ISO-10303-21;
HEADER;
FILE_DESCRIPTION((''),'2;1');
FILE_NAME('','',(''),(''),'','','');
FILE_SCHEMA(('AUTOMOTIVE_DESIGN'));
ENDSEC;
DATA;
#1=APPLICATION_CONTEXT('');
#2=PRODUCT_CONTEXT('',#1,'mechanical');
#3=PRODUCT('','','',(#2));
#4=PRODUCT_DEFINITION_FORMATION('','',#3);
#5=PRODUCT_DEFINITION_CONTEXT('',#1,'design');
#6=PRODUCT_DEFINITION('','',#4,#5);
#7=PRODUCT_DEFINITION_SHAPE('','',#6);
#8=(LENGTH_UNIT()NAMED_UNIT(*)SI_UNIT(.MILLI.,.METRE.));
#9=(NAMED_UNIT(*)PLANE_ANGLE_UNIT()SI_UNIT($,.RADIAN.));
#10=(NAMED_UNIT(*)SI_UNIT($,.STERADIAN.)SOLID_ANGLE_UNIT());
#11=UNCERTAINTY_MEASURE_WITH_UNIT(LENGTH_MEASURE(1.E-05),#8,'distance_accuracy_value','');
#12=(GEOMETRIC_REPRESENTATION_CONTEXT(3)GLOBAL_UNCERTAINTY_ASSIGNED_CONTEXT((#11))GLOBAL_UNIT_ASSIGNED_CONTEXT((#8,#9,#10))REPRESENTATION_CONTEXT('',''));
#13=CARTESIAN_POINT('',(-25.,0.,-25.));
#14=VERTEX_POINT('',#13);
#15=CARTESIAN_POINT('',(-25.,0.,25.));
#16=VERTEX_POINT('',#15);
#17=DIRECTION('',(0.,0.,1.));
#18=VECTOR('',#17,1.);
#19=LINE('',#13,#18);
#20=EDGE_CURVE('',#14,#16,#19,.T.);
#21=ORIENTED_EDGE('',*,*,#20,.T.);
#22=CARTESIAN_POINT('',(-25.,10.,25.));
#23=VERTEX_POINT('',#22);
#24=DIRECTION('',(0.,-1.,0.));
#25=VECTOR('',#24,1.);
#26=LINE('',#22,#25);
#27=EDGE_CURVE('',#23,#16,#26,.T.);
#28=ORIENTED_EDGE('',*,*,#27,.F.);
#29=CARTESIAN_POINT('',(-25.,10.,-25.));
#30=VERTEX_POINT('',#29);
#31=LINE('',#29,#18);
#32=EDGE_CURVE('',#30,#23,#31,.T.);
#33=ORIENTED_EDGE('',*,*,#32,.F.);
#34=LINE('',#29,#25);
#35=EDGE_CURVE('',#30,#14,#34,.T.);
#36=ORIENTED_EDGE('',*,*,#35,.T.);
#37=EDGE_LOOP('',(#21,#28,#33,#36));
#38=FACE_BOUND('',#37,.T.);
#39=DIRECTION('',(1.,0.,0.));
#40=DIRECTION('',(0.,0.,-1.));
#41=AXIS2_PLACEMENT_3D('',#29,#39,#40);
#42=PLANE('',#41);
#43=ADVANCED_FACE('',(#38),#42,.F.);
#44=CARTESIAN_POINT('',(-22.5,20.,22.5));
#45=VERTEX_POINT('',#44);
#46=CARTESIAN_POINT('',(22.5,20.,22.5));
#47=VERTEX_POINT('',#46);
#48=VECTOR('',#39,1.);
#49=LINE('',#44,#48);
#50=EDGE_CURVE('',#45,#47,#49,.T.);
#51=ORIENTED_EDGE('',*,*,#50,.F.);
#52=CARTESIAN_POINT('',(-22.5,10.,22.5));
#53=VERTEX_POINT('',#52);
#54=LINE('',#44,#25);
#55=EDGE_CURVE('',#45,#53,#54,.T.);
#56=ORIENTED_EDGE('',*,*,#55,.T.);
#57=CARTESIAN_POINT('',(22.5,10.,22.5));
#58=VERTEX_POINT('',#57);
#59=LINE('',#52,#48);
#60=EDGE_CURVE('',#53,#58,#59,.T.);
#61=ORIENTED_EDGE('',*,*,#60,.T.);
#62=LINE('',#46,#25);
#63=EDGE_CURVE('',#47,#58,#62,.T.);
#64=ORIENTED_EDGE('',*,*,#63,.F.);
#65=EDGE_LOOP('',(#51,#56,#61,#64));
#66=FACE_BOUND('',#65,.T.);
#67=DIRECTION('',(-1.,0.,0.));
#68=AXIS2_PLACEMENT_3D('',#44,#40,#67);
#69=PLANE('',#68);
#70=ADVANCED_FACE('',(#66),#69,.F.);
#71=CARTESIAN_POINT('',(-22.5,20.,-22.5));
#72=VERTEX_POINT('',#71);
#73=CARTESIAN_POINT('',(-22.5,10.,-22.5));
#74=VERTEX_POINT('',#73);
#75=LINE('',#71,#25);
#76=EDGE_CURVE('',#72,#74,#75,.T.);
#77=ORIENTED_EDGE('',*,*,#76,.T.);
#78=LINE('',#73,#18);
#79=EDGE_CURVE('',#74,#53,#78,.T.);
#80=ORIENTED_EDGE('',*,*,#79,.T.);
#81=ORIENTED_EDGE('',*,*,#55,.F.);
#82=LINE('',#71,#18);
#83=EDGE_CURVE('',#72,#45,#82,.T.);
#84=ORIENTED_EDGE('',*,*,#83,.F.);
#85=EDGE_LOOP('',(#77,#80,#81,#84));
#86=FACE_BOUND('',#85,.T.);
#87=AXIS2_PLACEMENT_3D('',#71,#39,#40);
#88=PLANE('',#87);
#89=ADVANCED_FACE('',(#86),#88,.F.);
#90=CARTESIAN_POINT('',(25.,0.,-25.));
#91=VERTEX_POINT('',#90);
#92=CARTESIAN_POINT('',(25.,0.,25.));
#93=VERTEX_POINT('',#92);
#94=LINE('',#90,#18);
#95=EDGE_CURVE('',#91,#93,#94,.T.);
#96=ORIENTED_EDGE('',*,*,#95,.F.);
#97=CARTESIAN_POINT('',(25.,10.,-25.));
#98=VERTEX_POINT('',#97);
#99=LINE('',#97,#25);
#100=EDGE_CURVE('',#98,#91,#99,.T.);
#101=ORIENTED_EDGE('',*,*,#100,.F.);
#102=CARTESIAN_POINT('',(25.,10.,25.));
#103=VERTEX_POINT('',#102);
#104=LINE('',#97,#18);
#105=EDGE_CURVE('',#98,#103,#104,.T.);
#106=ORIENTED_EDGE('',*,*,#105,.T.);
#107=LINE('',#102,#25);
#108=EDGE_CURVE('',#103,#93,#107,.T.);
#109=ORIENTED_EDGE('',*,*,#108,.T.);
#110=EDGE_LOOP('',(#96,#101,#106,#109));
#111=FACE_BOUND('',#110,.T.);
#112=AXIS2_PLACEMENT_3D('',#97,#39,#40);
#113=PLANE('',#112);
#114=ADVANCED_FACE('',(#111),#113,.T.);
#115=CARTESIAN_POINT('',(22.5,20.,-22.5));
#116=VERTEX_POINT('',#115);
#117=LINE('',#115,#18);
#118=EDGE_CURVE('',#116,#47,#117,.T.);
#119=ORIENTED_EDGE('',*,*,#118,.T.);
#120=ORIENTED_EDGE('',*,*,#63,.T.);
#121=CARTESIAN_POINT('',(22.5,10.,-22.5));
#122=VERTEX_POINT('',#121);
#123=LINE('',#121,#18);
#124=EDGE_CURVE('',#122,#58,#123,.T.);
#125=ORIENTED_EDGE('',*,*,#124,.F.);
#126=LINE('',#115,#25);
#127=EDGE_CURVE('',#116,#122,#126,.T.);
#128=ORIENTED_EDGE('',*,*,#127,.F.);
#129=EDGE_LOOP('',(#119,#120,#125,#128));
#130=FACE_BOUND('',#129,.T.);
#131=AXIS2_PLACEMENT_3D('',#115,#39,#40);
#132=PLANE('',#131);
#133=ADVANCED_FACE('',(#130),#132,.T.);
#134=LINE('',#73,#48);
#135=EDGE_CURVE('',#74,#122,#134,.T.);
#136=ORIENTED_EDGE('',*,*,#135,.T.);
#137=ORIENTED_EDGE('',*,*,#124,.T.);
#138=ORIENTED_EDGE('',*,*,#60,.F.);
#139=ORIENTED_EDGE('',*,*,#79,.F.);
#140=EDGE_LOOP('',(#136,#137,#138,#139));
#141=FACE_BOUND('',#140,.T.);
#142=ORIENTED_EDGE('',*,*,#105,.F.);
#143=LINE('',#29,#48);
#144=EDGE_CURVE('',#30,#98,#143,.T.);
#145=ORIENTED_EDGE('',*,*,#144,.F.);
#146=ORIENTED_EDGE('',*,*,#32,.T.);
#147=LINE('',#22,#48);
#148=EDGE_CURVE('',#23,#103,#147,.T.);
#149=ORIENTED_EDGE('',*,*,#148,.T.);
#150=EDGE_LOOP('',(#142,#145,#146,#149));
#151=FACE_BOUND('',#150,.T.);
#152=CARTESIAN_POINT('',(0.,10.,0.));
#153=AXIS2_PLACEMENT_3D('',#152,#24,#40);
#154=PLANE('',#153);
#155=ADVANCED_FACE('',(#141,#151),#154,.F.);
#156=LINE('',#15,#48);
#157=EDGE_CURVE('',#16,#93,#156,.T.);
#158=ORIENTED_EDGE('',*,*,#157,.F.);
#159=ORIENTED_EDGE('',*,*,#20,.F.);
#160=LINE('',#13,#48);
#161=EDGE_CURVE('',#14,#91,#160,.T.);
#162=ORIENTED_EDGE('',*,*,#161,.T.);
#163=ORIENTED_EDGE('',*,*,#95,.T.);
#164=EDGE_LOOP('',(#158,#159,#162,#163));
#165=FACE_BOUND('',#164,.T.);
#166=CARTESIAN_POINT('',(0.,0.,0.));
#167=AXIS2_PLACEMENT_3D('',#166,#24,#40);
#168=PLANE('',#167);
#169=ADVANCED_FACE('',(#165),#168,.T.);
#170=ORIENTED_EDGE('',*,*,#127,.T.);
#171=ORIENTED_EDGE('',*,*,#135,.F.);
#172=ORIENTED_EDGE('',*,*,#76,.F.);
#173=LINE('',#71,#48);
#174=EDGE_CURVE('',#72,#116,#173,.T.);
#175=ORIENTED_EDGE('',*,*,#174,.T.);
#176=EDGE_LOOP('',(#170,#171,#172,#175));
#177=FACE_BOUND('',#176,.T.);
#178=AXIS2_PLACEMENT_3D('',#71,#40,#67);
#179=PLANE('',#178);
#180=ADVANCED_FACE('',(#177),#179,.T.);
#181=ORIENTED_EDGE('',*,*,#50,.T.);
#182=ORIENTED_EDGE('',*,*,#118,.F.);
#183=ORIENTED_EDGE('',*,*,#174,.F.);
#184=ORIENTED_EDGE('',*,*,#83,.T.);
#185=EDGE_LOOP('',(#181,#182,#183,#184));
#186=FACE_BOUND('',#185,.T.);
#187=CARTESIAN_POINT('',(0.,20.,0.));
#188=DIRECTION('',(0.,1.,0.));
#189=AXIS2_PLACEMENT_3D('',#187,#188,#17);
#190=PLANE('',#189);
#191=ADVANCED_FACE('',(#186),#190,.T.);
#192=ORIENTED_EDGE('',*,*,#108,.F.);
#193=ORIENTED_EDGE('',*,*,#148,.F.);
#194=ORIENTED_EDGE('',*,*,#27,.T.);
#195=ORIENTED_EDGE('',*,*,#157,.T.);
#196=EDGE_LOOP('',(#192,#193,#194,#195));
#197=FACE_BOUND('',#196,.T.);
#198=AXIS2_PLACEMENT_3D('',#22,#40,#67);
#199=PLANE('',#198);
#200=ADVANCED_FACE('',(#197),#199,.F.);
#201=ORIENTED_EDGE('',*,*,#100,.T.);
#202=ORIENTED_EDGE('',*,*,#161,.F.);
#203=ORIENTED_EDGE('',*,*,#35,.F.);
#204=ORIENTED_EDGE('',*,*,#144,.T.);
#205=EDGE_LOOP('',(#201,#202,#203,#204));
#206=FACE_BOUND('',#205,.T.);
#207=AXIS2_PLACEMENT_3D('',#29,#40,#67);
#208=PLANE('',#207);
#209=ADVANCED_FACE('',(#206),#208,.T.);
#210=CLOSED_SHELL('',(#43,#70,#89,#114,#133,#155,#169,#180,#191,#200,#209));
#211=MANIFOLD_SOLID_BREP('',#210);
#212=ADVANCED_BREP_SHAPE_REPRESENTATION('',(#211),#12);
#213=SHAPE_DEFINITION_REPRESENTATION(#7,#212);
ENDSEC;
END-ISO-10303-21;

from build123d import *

# Parameters (mm, degrees)
SKETCH1_W           = 50
SKETCH1_H           = 50
BOSS_EXTRUDE1_DEPTH = 10
SKETCH3_W           = 45
SKETCH3_H           = 45
BOSS_EXTRUDE2_DEPTH = 10


with BuildPart() as part:
    # Sketch1 → Boss-Extrude1 (new body)
    with BuildSketch(Plane(origin=(0, 0, 0), x_dir=(1, 0, 0), z_dir=(0, 1, 0))):
        Rectangle(SKETCH1_W, SKETCH1_H)
    extrude(amount=BOSS_EXTRUDE1_DEPTH)

    # Sketch3 → Boss-Extrude2 (add)
    with BuildSketch(Plane(origin=(0, 10, 0), x_dir=(1, 0, 0), z_dir=(0, 1, 0))):
        Rectangle(SKETCH3_W, SKETCH3_H)
    extrude(amount=BOSS_EXTRUDE2_DEPTH)


solid = part.part
